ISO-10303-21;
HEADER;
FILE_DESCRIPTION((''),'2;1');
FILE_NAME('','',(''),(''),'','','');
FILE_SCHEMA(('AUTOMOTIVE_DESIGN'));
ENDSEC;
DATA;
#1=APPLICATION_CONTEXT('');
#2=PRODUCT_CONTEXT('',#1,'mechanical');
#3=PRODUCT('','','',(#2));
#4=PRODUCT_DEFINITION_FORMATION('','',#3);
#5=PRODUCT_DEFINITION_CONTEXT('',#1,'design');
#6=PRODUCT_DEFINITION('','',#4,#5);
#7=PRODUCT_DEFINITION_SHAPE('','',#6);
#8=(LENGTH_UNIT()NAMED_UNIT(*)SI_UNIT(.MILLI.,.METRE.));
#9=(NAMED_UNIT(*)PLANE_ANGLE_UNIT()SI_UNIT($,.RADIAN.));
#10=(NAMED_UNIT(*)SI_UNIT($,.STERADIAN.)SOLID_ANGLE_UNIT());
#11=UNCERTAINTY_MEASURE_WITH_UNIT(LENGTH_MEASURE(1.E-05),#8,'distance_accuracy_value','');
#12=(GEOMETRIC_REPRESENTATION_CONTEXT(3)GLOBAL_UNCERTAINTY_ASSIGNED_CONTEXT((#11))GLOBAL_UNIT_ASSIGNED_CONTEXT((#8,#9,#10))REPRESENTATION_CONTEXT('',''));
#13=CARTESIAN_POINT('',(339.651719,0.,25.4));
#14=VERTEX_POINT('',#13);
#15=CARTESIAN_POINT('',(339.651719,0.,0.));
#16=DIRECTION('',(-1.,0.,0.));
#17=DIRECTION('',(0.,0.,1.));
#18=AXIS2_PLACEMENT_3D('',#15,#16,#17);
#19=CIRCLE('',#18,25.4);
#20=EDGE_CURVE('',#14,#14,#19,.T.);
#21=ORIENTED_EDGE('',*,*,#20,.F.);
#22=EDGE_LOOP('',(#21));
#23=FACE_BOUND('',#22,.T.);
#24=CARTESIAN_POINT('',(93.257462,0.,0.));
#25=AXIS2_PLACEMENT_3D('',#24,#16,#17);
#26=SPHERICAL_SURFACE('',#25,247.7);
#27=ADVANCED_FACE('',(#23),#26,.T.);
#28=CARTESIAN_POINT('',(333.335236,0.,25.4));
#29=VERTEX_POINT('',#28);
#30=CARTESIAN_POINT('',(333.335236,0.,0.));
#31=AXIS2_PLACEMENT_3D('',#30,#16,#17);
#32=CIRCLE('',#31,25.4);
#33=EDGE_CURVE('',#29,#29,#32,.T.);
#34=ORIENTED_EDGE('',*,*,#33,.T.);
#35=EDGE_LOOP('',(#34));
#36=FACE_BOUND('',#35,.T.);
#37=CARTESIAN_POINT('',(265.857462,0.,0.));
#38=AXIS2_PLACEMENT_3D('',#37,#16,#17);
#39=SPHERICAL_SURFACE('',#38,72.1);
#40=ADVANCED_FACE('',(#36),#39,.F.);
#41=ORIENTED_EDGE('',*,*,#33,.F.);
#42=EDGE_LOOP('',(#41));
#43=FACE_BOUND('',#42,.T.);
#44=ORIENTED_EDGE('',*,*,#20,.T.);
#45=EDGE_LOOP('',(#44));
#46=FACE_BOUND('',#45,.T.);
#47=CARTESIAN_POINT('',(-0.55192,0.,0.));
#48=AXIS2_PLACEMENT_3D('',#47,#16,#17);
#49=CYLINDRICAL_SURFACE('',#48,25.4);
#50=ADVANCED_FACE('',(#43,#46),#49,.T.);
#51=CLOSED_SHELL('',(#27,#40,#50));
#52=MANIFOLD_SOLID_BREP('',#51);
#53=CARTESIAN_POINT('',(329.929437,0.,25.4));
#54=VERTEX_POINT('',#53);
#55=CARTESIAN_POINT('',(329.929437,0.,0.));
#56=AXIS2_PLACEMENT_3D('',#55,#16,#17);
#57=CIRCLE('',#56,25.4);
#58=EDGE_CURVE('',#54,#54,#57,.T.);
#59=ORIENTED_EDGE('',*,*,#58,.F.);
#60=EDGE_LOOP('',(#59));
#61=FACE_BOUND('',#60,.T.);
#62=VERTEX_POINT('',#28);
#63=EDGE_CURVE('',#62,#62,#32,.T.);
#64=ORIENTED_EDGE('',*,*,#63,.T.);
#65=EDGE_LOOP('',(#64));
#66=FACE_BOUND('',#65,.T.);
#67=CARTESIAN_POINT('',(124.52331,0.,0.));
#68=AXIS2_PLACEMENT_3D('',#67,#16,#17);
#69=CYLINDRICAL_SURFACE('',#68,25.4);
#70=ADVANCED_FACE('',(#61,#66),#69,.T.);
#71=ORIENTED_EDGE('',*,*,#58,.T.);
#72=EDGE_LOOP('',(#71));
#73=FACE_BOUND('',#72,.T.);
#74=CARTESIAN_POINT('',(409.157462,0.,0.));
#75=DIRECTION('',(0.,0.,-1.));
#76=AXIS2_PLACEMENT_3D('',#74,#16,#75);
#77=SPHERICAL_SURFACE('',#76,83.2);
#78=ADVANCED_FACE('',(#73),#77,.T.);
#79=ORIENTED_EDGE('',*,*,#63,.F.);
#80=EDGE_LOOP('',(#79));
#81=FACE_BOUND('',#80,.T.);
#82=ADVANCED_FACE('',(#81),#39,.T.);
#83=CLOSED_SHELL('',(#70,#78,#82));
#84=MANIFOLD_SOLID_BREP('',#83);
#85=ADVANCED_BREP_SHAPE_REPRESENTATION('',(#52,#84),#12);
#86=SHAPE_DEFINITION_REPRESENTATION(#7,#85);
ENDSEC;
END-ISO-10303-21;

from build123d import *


with BuildPart() as part:
    # 草图1 one side → 旋转1 (revolve)
    with BuildSketch(Plane(origin=(0, 0, 0), x_dir=(1, 0, 0), z_dir=(0, 1, 0)), mode=Mode.PRIVATE) as revolve_1_sk:
        with BuildLine():
            ThreePointArc((329.92943661, 25.4), (326.956453114, 12.854343455), (325.957461954, 0))
            Line((325.957461954, 0), (337.957461954, 0))
            ThreePointArc((337.957461954, 0), (336.792493899, 12.908572463), (333.335236073, 25.4))
            Line((333.335236073, 25.4), (329.92943661, 25.4))
        make_face()
    revolve(revolve_1_sk.sketch.rotate(Axis((124.523309526, 0, 0), (1, 0, 0)), 180), axis=Axis((124.523309526, 0, 0), (1, 0, 0)))  # turned: the seam where the file's is


with BuildPart() as body_2:
    # 草图2 one side → 旋转3 (revolve)
    with BuildSketch(Plane(origin=(0, 0, 0), x_dir=(1, 0, 0), z_dir=(0, 1, 0)), mode=Mode.PRIVATE) as revolve_3_sk:
        with BuildLine():
            Line((339.651719192, 25.4), (333.335236073, 25.4))
            ThreePointArc((333.335236073, 25.4), (336.792493899, 12.908572463), (337.957461954, 0))
            Line((337.957461954, 0), (340.957461954, 0))
            ThreePointArc((340.957461954, 0), (340.63081088, 12.716770071), (339.651719192, 25.4))
        make_face()
    revolve(revolve_3_sk.sketch.rotate(Axis((-0.551919993, 0, 0), (1, 0, 0)), 180), axis=Axis((-0.551919993, 0, 0), (1, 0, 0)))  # turned: the seam where the file's is


solid = Compound([part.part, body_2.part])
